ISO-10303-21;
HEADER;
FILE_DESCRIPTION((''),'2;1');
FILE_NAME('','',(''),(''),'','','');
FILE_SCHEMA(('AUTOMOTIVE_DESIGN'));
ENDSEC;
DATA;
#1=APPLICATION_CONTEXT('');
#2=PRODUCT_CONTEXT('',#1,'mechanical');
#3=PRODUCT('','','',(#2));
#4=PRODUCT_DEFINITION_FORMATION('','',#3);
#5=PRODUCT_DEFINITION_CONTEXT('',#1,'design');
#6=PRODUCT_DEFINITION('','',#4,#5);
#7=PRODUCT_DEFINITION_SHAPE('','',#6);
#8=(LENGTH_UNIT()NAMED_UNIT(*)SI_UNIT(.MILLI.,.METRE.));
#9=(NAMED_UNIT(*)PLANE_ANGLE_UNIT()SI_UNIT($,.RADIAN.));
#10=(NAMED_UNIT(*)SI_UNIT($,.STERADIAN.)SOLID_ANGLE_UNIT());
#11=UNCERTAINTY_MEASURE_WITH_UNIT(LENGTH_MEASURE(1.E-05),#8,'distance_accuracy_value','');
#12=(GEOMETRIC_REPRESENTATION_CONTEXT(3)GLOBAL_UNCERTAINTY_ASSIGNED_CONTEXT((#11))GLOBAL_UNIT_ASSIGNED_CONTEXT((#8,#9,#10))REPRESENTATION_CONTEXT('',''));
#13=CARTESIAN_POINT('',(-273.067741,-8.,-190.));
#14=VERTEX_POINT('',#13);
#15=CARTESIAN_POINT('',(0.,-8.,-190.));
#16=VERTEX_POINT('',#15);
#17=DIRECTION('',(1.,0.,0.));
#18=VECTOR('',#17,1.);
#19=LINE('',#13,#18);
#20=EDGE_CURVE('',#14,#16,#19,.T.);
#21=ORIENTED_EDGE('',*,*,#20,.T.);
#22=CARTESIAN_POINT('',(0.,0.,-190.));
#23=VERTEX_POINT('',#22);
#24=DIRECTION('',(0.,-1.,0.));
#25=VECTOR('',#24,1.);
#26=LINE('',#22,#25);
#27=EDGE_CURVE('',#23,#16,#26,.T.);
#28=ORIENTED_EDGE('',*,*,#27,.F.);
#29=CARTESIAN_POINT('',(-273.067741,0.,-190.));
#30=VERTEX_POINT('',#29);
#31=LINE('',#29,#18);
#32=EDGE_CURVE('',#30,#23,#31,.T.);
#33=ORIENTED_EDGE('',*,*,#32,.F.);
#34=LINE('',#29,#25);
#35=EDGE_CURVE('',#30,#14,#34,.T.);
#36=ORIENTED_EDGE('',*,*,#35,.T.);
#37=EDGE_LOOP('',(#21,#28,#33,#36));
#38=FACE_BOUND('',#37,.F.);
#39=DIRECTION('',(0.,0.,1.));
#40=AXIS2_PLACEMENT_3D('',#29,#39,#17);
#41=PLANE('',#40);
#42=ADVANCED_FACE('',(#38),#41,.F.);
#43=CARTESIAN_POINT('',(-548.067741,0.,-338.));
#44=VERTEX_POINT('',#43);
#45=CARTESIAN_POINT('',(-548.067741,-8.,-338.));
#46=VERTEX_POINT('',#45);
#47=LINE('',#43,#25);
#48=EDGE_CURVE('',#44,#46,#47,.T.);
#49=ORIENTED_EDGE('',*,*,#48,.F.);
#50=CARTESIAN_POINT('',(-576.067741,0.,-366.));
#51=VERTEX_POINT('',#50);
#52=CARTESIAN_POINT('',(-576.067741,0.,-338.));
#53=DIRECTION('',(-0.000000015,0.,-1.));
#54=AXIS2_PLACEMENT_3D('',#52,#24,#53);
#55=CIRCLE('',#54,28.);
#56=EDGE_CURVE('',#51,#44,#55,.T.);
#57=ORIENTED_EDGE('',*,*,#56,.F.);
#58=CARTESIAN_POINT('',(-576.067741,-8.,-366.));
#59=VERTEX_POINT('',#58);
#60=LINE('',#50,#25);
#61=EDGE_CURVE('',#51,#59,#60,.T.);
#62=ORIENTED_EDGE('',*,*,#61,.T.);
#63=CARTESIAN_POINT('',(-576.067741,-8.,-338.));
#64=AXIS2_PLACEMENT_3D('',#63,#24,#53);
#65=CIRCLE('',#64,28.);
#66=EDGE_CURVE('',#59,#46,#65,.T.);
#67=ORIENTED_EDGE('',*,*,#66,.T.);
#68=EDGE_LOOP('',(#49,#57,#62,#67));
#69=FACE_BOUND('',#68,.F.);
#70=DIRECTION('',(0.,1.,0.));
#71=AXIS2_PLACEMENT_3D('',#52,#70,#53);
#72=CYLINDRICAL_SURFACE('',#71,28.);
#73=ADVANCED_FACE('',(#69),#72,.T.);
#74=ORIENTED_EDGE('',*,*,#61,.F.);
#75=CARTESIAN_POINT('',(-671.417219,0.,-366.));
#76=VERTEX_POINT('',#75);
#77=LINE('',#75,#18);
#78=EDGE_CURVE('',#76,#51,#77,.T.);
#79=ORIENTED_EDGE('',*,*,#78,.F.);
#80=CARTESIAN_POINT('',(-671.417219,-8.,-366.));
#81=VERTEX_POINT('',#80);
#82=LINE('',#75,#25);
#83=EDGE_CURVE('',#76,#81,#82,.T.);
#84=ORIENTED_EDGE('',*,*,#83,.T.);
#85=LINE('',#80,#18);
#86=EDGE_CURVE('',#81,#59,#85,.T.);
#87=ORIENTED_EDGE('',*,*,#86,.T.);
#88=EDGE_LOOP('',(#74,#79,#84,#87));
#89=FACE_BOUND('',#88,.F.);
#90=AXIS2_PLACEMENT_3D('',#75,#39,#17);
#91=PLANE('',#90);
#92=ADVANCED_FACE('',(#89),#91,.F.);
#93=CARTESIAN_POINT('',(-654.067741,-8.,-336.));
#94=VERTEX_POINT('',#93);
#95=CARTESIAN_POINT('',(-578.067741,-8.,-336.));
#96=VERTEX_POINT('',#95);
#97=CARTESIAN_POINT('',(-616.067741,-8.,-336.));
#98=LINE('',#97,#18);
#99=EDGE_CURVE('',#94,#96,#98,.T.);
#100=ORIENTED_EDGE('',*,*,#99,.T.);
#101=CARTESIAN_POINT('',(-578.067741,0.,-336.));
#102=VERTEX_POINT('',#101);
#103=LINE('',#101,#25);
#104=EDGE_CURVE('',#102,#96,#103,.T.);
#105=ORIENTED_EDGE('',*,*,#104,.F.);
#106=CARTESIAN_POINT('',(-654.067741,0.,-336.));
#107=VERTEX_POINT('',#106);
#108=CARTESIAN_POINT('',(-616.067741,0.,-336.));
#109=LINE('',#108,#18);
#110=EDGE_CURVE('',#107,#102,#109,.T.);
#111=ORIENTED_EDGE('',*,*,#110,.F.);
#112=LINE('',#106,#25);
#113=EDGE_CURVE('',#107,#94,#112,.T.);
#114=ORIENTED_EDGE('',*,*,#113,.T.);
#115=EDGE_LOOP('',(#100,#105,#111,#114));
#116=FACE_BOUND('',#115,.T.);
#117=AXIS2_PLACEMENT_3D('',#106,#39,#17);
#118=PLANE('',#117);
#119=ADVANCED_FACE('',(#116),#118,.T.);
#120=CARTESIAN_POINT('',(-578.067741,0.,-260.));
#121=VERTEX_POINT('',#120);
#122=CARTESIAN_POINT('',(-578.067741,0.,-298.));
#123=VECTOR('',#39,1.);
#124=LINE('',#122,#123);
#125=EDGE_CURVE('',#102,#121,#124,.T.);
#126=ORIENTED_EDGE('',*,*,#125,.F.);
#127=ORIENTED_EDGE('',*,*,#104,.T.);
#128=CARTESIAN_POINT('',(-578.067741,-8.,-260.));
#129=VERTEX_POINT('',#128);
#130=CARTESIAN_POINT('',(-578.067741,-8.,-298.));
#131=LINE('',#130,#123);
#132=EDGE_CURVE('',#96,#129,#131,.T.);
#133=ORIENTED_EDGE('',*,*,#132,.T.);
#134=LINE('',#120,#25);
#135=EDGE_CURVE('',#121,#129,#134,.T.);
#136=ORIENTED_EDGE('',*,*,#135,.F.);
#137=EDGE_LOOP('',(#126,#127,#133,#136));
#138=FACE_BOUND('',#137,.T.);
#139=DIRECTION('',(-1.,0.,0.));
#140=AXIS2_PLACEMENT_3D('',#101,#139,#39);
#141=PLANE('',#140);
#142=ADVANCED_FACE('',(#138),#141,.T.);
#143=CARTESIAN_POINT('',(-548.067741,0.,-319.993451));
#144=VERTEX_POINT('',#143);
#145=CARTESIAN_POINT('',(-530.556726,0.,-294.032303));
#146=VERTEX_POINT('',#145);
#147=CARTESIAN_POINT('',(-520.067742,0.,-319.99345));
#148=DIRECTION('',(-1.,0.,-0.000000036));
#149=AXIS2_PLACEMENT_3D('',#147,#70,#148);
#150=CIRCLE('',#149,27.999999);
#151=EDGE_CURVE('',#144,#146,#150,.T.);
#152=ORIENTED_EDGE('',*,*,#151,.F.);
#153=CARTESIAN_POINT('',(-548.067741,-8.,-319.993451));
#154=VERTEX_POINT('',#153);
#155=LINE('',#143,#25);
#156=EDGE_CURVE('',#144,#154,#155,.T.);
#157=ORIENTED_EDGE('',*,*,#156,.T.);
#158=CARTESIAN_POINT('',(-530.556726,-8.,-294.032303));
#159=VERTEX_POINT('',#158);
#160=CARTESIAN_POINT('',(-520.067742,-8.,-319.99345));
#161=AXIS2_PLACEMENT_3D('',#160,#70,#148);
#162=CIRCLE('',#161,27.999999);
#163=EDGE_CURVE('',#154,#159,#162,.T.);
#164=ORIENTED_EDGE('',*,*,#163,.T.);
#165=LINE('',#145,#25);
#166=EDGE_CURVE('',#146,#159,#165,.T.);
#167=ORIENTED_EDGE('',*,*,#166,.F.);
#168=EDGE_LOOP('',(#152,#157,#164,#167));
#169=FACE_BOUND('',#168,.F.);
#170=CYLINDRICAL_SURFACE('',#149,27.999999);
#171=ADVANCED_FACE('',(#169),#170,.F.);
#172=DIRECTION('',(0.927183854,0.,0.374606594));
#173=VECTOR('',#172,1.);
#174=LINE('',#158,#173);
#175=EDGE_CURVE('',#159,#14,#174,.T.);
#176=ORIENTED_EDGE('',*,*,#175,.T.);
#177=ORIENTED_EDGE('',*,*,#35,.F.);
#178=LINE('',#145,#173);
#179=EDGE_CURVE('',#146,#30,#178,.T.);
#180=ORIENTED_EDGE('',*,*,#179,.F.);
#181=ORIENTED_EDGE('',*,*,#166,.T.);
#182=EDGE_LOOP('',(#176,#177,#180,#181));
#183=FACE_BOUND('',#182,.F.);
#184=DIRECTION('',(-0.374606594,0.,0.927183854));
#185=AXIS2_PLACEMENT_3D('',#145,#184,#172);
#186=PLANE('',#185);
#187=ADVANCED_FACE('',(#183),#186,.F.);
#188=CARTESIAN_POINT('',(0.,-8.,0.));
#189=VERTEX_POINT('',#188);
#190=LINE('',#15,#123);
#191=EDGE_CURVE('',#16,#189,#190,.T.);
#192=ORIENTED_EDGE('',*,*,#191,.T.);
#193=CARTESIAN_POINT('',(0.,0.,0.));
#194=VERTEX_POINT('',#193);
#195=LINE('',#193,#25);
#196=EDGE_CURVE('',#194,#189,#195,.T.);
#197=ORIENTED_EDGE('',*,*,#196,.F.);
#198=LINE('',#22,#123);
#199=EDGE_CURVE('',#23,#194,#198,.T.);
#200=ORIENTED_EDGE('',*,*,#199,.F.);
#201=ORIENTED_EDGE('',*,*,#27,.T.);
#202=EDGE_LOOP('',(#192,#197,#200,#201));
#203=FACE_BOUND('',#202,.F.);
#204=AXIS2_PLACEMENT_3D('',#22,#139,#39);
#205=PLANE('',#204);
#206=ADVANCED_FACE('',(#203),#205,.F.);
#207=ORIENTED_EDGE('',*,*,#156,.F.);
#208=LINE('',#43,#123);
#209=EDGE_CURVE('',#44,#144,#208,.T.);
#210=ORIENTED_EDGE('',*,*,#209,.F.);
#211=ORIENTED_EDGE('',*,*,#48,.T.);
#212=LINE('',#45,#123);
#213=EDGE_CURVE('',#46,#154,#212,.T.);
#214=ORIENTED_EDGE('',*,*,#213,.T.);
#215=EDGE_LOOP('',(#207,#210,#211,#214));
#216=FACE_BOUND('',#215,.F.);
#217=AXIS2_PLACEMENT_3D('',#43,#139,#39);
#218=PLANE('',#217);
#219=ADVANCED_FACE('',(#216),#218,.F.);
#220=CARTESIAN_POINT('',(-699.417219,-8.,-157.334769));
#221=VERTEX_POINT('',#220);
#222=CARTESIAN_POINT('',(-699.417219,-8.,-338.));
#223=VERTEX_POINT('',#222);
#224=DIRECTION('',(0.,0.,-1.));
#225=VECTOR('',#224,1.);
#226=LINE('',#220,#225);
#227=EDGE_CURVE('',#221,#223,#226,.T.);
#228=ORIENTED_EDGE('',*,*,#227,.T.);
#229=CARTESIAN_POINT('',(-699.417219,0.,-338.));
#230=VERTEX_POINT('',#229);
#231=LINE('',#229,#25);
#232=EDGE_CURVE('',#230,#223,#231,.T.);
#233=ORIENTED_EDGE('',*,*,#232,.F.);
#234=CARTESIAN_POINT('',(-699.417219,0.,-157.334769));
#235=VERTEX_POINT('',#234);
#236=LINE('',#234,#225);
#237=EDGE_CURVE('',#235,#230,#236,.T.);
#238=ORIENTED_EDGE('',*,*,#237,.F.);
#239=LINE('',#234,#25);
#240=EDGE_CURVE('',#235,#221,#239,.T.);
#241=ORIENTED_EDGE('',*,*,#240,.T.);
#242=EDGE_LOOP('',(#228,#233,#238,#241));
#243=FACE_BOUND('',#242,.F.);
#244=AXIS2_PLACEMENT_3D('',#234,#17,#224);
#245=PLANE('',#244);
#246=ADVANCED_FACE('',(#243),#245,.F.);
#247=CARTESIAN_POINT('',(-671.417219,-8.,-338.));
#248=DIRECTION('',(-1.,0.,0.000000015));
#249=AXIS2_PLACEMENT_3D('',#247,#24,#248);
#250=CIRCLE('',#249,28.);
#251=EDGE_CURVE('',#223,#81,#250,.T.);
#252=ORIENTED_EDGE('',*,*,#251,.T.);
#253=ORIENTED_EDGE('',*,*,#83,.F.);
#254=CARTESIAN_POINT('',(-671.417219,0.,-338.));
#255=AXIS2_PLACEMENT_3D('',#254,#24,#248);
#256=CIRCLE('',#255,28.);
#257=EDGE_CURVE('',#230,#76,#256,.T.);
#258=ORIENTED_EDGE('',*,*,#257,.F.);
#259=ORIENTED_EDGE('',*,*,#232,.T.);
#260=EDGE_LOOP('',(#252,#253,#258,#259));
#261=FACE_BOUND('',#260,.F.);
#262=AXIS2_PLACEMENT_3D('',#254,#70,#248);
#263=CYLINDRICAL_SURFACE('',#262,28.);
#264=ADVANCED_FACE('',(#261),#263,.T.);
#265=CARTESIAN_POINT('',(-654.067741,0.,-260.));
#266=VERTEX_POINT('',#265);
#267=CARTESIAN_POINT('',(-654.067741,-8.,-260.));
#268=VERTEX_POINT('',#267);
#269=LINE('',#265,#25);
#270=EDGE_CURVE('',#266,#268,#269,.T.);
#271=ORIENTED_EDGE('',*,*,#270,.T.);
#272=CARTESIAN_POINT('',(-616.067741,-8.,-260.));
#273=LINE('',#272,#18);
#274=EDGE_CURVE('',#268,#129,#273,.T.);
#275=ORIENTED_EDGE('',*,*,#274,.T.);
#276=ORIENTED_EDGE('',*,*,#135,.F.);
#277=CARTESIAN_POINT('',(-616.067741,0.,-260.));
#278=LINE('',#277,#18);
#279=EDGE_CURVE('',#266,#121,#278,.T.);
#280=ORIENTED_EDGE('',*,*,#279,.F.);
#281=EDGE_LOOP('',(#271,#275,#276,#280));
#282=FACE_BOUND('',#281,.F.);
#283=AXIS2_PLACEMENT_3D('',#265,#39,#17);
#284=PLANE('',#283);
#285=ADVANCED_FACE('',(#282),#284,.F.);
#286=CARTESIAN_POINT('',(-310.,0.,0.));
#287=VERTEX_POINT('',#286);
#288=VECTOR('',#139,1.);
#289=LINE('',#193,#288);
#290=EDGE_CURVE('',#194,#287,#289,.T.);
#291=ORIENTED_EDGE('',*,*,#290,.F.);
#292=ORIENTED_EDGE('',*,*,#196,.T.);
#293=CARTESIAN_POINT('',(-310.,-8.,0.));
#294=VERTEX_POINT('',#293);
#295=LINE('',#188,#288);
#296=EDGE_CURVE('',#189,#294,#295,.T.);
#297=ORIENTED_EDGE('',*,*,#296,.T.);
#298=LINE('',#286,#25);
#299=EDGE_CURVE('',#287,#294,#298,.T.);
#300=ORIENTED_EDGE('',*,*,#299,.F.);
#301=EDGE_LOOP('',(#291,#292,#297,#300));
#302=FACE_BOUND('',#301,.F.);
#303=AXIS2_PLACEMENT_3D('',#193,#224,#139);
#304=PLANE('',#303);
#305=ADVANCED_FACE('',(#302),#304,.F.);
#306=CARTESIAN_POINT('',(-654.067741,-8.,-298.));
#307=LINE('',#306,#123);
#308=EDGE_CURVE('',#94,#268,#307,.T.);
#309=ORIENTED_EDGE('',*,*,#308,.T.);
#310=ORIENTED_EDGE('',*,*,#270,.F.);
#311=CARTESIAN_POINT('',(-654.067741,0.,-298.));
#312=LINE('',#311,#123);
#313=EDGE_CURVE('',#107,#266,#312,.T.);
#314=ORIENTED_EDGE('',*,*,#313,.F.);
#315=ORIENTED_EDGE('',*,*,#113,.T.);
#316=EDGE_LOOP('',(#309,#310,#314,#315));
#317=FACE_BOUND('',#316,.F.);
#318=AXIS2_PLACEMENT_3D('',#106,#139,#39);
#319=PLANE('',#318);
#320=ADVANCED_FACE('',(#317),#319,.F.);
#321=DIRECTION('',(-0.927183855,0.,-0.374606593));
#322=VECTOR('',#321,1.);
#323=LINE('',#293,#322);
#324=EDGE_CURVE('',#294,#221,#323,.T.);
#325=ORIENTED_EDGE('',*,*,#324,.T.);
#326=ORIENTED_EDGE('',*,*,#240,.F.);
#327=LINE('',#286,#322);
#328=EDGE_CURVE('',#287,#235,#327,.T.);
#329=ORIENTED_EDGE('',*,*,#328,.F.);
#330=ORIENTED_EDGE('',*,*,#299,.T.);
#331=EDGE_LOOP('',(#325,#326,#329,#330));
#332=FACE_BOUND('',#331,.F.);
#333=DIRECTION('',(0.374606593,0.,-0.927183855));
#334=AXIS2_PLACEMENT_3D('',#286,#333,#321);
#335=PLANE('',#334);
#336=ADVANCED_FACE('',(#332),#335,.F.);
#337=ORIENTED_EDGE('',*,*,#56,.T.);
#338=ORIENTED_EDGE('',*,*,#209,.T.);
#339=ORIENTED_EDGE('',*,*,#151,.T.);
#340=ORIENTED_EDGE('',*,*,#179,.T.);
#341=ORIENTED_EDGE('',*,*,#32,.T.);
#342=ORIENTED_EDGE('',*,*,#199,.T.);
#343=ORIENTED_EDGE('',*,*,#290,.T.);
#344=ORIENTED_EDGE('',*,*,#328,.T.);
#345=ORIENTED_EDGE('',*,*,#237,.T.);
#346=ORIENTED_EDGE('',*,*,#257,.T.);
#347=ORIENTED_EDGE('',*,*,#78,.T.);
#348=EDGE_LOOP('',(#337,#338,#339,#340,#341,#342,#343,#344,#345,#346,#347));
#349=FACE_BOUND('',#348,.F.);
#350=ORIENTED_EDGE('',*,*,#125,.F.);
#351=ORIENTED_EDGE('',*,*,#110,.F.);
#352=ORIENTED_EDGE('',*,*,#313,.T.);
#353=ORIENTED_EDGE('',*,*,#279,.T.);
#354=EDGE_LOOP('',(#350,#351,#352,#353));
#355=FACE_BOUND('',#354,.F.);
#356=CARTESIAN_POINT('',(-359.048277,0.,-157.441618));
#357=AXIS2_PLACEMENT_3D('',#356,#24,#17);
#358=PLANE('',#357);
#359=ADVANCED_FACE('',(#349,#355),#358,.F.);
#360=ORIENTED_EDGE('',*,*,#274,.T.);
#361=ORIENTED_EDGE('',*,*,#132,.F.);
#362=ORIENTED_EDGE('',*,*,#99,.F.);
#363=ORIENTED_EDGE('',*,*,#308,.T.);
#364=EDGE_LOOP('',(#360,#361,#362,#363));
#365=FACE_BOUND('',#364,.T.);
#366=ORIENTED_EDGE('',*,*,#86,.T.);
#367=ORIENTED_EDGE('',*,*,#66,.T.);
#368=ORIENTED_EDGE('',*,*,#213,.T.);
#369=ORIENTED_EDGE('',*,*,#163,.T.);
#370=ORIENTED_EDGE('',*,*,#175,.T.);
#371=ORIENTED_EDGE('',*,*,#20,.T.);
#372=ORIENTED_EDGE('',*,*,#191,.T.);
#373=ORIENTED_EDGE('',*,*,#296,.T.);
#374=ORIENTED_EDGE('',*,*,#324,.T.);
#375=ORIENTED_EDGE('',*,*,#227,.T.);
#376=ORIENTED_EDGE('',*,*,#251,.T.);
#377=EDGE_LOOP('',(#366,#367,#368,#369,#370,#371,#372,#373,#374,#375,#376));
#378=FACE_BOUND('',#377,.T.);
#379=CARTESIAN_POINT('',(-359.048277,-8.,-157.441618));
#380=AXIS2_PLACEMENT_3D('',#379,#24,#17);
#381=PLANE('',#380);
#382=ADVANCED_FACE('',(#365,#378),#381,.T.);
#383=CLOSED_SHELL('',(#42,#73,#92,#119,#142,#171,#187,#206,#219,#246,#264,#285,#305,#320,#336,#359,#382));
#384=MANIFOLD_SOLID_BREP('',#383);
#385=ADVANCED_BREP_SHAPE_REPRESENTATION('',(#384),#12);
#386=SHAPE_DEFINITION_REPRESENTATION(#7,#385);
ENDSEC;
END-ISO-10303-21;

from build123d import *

# Parameters (mm, degrees)
F0_W     = 76
F0_H     = 76
F1_DEPTH = 8


with BuildPart() as f1:
    # F0 (on Front) → F1 (new body)
    with BuildSketch(Plane.XZ):
        with BuildLine():
            Line((0, -190), (0, 0))
            Line((0, 0), (-310, 0))
            Line((-310, 0), (-699.417219, -157.334769))
            Line((-699.417219, -157.334769), (-699.417219, -338))
            ThreePointArc((-699.417219, -338), (-691.216209, -357.79899), (-671.417219, -366))
            Line((-671.417219, -366), (-576.067741, -366))
            ThreePointArc((-576.067741, -366), (-556.268751, -357.79899), (-548.067741, -338))
            Line((-548.067741, -338), (-548.067741, -319.993451))
            ThreePointArc((-548.067741, -319.993451), (-543.280793, -304.336049), (-530.556726, -294.032303))
            Line((-530.556726, -294.032303), (-273.067741, -190))
            Line((-273.067741, -190), (0, -190))
        make_face()
        with Locations((-616.067741, -298)):
            Rectangle(F0_W, F0_H, mode=Mode.SUBTRACT)
    extrude(amount=F1_DEPTH)


solid = f1.part
